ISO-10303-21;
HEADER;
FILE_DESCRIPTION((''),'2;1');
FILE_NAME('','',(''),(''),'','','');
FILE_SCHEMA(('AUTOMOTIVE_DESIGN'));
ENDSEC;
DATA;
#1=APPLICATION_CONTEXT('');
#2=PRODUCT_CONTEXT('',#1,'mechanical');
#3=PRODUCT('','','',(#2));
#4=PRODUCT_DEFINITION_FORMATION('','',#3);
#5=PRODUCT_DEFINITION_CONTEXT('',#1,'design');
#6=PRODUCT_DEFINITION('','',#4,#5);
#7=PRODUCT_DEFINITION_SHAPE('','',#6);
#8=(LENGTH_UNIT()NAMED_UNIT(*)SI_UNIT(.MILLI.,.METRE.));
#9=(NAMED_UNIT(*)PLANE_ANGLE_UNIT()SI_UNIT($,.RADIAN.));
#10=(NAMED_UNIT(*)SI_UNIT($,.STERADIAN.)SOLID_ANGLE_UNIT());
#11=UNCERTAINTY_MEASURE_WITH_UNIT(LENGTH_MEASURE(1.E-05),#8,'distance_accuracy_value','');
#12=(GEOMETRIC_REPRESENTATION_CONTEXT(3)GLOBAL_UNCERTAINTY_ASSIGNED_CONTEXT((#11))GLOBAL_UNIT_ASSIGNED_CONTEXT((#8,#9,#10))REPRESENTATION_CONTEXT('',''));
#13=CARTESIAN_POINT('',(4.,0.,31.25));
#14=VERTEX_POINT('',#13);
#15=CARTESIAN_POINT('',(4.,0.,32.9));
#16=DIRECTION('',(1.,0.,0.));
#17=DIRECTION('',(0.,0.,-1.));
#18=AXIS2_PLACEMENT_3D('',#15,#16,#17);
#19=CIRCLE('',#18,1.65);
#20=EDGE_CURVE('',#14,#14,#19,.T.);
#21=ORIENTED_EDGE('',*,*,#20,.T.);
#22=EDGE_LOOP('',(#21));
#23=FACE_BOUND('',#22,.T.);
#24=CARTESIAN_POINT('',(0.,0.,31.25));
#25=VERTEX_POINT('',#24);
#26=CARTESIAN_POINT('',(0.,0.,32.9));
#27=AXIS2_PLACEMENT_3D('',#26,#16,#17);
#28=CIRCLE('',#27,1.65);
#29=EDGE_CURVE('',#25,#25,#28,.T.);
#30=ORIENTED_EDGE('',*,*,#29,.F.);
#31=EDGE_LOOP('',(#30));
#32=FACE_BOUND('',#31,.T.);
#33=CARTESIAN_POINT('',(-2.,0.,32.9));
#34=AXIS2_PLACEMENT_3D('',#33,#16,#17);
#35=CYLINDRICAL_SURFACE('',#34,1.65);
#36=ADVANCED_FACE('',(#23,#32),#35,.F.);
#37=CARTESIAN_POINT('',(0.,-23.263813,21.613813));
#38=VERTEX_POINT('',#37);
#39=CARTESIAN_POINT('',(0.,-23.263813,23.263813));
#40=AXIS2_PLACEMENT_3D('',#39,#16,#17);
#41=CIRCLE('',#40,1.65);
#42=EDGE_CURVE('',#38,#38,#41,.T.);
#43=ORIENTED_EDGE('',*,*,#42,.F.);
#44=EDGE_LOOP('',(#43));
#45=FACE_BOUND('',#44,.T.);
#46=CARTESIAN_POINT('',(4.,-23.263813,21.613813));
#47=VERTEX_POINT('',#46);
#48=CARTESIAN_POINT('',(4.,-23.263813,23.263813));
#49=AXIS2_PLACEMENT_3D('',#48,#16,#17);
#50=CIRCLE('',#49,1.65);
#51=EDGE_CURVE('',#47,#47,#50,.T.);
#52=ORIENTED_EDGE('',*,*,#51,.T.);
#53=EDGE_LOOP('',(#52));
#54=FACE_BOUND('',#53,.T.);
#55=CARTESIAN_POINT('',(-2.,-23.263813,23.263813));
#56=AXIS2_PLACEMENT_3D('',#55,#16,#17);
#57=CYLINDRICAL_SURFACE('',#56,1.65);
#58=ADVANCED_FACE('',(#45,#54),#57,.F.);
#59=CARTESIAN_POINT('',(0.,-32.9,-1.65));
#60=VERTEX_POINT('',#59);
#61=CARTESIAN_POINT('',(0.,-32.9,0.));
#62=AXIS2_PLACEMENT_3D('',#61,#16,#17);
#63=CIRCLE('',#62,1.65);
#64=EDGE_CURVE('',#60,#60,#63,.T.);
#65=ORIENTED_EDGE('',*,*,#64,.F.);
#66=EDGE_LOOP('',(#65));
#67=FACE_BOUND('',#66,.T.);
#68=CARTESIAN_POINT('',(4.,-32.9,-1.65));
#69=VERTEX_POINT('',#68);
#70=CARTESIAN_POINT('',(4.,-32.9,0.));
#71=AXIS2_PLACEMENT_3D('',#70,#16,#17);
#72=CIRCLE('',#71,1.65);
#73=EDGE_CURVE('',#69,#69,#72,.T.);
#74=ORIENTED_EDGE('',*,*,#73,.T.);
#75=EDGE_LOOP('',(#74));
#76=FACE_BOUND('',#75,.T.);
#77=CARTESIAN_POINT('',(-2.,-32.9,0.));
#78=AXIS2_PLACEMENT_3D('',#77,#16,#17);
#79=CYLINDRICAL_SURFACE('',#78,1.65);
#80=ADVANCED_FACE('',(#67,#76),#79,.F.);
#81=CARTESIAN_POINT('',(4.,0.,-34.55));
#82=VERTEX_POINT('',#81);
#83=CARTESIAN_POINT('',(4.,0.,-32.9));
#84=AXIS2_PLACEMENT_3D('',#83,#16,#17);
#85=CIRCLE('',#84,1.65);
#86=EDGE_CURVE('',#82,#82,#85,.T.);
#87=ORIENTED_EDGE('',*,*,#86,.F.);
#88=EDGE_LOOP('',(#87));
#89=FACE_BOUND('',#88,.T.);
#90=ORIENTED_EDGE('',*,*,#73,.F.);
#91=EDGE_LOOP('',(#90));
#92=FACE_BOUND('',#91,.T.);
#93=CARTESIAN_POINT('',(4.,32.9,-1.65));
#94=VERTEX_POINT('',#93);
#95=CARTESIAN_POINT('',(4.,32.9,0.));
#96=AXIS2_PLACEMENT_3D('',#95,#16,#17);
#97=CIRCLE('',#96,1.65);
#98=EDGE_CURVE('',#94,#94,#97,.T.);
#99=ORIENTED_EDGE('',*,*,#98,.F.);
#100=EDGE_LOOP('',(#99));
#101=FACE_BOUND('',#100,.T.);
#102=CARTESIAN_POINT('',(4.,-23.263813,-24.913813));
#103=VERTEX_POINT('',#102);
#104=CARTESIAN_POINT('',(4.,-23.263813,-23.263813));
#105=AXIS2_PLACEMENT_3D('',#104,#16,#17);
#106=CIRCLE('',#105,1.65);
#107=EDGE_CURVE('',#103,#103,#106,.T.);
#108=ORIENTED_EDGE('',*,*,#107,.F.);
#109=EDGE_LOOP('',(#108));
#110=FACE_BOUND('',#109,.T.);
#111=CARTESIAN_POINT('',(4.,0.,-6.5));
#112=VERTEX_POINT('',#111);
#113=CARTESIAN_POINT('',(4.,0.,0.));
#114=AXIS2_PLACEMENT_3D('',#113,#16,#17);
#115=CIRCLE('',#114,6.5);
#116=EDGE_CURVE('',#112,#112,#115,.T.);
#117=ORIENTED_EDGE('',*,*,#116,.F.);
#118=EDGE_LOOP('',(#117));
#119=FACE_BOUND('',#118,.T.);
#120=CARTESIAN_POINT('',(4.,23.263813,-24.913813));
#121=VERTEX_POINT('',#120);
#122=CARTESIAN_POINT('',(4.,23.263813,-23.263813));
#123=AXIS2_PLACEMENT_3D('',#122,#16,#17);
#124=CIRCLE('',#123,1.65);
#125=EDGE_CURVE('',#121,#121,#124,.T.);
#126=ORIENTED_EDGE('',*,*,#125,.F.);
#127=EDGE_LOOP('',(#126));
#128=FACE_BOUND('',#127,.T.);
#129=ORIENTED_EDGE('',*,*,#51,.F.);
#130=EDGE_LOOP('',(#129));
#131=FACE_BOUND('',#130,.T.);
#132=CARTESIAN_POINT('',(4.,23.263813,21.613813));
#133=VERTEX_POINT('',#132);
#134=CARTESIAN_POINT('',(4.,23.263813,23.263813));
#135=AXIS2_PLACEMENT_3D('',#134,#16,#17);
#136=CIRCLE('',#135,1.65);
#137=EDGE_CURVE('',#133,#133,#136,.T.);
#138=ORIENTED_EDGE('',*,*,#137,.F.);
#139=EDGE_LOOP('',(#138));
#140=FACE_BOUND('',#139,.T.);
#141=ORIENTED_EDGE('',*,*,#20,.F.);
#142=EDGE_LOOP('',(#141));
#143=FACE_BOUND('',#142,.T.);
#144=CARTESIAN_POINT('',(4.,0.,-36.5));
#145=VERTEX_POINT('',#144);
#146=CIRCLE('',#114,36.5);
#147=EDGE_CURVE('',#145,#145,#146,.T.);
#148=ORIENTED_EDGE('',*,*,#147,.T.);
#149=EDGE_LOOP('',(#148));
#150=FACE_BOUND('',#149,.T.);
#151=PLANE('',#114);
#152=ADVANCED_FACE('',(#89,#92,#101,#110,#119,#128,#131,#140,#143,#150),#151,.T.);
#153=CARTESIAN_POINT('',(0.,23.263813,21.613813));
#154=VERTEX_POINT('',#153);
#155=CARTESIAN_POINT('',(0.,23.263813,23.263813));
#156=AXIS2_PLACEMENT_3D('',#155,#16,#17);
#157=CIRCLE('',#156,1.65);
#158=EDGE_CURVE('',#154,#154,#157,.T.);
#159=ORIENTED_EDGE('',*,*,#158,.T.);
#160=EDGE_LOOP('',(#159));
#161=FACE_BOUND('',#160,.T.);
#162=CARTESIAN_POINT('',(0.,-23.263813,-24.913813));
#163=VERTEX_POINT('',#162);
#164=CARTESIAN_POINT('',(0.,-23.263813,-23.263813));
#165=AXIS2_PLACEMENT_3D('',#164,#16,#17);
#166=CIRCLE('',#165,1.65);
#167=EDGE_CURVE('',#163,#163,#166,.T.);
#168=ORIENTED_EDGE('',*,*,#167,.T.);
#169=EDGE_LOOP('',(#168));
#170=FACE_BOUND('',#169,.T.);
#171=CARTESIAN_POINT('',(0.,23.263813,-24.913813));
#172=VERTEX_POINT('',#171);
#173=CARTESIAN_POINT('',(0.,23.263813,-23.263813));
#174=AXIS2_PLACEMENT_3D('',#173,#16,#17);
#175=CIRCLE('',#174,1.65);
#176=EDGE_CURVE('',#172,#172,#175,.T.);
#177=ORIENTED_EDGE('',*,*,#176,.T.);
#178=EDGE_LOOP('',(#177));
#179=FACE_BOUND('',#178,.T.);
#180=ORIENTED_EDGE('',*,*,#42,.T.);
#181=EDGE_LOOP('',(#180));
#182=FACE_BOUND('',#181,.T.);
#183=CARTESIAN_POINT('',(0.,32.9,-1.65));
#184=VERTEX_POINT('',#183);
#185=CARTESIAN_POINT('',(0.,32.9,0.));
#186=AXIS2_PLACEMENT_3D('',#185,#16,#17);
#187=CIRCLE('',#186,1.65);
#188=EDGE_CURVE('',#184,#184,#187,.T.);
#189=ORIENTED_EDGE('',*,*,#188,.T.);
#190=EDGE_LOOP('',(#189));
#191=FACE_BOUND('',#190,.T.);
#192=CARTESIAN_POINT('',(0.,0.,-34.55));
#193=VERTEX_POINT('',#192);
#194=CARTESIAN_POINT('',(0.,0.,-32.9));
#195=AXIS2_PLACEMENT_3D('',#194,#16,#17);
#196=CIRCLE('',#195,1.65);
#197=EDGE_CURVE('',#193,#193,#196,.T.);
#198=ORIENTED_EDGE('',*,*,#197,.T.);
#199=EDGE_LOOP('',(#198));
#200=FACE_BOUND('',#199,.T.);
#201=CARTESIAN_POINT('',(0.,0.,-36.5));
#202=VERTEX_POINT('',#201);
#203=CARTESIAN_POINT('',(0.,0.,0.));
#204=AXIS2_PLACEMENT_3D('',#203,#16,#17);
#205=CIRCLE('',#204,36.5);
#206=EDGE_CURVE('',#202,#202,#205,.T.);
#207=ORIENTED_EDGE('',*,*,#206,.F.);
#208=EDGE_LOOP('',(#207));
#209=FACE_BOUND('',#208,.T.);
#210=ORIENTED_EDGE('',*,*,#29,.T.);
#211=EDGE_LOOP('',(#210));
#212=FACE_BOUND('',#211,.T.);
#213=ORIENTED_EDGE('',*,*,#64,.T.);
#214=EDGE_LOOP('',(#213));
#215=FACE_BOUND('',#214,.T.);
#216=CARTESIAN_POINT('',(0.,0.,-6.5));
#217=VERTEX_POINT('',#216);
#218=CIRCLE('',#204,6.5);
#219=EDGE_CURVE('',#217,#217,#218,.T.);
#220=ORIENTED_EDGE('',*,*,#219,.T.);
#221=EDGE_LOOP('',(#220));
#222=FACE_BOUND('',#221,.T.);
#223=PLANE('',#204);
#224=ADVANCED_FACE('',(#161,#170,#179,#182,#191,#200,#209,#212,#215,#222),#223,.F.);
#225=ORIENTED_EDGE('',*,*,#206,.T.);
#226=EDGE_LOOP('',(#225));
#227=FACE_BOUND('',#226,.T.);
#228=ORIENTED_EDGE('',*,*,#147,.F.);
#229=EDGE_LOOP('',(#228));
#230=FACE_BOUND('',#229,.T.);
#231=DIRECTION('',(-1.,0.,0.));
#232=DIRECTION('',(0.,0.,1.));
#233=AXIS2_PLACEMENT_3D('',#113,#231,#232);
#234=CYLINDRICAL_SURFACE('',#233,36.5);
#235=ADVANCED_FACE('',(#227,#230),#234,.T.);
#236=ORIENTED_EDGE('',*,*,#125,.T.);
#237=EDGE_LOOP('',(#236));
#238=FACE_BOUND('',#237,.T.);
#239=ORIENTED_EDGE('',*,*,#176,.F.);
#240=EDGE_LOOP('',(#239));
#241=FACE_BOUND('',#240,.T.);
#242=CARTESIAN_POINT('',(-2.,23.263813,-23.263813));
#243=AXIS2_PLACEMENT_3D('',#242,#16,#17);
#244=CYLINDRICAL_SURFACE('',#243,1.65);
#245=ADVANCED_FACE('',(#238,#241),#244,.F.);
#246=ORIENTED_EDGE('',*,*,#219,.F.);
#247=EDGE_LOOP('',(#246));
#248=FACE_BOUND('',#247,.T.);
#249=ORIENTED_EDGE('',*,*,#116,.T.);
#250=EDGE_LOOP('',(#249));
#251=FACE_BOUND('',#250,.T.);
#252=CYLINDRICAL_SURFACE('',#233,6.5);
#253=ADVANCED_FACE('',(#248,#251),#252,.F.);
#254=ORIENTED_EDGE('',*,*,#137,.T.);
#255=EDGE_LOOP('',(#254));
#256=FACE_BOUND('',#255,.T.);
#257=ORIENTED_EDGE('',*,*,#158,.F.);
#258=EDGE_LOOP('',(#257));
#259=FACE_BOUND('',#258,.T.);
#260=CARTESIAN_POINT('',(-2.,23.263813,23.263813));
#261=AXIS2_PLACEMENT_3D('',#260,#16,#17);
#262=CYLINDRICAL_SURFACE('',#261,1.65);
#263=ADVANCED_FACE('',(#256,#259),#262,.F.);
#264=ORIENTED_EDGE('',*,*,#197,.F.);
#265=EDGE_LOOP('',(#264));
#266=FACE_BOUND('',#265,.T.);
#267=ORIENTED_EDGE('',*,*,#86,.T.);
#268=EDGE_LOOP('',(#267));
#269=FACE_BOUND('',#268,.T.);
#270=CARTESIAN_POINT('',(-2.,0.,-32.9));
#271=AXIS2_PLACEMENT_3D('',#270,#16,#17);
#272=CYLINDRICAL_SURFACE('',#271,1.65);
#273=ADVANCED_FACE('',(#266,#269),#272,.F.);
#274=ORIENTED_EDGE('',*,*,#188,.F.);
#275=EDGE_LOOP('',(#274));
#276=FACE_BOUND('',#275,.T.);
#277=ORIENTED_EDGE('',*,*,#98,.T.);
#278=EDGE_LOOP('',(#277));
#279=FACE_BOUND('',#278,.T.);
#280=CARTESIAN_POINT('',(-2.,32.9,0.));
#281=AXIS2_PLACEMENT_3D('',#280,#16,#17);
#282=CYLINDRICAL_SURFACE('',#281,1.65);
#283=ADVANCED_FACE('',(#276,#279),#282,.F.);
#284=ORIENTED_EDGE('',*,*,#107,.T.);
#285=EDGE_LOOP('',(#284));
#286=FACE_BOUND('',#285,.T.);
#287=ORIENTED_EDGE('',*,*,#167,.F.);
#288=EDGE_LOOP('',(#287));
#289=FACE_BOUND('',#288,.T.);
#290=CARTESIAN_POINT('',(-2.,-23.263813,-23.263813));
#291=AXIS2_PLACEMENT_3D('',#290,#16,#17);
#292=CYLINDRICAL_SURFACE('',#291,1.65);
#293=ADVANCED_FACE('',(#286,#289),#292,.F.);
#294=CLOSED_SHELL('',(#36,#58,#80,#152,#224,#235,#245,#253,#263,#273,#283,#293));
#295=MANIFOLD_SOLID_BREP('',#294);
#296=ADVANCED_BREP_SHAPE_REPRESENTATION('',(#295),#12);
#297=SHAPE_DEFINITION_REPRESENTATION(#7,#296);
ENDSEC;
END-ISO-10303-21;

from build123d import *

# Parameters (mm, degrees)
SKETCH_1_R          = 36.5
SKETCH_1_R_2        = 6.5
EXTRUDE_1_DEPTH     = 4
SKETCH_2_R          = 1.65
CUT_EXTRUDE_1_DEPTH = 6


with BuildPart() as part:
    # 草图1 → 凸台-拉伸1 (new body)
    with BuildSketch(Plane(origin=(0, 0, 0), x_dir=(0, 0, -1), z_dir=(1, 0, 0))):
        Circle(SKETCH_1_R)
        Circle(SKETCH_1_R_2, mode=Mode.SUBTRACT)
    extrude(amount=EXTRUDE_1_DEPTH)

    # 草图2 → 切除-拉伸1 (cut)
    with BuildSketch(Plane(origin=(4, 0, 0), x_dir=(0, 0, -1), z_dir=(1, 0, 0))):
        with Locations((32.9, 0)):
            Circle(SKETCH_2_R)
        with Locations((23.263813101, -23.263813101)):
            Circle(SKETCH_2_R)
        with Locations((0, -32.9)):
            Circle(SKETCH_2_R)
        with Locations((-23.263813101, -23.263813101)):
            Circle(SKETCH_2_R)
        with Locations((-32.9, 0)):
            Circle(SKETCH_2_R)
        with Locations((-23.263813101, 23.263813101)):
            Circle(SKETCH_2_R)
        with Locations((0, 32.9)):
            Circle(SKETCH_2_R)
        with Locations((23.263813101, 23.263813101)):
            Circle(SKETCH_2_R)
    extrude(amount=-CUT_EXTRUDE_1_DEPTH, mode=Mode.SUBTRACT)


solid = part.part
